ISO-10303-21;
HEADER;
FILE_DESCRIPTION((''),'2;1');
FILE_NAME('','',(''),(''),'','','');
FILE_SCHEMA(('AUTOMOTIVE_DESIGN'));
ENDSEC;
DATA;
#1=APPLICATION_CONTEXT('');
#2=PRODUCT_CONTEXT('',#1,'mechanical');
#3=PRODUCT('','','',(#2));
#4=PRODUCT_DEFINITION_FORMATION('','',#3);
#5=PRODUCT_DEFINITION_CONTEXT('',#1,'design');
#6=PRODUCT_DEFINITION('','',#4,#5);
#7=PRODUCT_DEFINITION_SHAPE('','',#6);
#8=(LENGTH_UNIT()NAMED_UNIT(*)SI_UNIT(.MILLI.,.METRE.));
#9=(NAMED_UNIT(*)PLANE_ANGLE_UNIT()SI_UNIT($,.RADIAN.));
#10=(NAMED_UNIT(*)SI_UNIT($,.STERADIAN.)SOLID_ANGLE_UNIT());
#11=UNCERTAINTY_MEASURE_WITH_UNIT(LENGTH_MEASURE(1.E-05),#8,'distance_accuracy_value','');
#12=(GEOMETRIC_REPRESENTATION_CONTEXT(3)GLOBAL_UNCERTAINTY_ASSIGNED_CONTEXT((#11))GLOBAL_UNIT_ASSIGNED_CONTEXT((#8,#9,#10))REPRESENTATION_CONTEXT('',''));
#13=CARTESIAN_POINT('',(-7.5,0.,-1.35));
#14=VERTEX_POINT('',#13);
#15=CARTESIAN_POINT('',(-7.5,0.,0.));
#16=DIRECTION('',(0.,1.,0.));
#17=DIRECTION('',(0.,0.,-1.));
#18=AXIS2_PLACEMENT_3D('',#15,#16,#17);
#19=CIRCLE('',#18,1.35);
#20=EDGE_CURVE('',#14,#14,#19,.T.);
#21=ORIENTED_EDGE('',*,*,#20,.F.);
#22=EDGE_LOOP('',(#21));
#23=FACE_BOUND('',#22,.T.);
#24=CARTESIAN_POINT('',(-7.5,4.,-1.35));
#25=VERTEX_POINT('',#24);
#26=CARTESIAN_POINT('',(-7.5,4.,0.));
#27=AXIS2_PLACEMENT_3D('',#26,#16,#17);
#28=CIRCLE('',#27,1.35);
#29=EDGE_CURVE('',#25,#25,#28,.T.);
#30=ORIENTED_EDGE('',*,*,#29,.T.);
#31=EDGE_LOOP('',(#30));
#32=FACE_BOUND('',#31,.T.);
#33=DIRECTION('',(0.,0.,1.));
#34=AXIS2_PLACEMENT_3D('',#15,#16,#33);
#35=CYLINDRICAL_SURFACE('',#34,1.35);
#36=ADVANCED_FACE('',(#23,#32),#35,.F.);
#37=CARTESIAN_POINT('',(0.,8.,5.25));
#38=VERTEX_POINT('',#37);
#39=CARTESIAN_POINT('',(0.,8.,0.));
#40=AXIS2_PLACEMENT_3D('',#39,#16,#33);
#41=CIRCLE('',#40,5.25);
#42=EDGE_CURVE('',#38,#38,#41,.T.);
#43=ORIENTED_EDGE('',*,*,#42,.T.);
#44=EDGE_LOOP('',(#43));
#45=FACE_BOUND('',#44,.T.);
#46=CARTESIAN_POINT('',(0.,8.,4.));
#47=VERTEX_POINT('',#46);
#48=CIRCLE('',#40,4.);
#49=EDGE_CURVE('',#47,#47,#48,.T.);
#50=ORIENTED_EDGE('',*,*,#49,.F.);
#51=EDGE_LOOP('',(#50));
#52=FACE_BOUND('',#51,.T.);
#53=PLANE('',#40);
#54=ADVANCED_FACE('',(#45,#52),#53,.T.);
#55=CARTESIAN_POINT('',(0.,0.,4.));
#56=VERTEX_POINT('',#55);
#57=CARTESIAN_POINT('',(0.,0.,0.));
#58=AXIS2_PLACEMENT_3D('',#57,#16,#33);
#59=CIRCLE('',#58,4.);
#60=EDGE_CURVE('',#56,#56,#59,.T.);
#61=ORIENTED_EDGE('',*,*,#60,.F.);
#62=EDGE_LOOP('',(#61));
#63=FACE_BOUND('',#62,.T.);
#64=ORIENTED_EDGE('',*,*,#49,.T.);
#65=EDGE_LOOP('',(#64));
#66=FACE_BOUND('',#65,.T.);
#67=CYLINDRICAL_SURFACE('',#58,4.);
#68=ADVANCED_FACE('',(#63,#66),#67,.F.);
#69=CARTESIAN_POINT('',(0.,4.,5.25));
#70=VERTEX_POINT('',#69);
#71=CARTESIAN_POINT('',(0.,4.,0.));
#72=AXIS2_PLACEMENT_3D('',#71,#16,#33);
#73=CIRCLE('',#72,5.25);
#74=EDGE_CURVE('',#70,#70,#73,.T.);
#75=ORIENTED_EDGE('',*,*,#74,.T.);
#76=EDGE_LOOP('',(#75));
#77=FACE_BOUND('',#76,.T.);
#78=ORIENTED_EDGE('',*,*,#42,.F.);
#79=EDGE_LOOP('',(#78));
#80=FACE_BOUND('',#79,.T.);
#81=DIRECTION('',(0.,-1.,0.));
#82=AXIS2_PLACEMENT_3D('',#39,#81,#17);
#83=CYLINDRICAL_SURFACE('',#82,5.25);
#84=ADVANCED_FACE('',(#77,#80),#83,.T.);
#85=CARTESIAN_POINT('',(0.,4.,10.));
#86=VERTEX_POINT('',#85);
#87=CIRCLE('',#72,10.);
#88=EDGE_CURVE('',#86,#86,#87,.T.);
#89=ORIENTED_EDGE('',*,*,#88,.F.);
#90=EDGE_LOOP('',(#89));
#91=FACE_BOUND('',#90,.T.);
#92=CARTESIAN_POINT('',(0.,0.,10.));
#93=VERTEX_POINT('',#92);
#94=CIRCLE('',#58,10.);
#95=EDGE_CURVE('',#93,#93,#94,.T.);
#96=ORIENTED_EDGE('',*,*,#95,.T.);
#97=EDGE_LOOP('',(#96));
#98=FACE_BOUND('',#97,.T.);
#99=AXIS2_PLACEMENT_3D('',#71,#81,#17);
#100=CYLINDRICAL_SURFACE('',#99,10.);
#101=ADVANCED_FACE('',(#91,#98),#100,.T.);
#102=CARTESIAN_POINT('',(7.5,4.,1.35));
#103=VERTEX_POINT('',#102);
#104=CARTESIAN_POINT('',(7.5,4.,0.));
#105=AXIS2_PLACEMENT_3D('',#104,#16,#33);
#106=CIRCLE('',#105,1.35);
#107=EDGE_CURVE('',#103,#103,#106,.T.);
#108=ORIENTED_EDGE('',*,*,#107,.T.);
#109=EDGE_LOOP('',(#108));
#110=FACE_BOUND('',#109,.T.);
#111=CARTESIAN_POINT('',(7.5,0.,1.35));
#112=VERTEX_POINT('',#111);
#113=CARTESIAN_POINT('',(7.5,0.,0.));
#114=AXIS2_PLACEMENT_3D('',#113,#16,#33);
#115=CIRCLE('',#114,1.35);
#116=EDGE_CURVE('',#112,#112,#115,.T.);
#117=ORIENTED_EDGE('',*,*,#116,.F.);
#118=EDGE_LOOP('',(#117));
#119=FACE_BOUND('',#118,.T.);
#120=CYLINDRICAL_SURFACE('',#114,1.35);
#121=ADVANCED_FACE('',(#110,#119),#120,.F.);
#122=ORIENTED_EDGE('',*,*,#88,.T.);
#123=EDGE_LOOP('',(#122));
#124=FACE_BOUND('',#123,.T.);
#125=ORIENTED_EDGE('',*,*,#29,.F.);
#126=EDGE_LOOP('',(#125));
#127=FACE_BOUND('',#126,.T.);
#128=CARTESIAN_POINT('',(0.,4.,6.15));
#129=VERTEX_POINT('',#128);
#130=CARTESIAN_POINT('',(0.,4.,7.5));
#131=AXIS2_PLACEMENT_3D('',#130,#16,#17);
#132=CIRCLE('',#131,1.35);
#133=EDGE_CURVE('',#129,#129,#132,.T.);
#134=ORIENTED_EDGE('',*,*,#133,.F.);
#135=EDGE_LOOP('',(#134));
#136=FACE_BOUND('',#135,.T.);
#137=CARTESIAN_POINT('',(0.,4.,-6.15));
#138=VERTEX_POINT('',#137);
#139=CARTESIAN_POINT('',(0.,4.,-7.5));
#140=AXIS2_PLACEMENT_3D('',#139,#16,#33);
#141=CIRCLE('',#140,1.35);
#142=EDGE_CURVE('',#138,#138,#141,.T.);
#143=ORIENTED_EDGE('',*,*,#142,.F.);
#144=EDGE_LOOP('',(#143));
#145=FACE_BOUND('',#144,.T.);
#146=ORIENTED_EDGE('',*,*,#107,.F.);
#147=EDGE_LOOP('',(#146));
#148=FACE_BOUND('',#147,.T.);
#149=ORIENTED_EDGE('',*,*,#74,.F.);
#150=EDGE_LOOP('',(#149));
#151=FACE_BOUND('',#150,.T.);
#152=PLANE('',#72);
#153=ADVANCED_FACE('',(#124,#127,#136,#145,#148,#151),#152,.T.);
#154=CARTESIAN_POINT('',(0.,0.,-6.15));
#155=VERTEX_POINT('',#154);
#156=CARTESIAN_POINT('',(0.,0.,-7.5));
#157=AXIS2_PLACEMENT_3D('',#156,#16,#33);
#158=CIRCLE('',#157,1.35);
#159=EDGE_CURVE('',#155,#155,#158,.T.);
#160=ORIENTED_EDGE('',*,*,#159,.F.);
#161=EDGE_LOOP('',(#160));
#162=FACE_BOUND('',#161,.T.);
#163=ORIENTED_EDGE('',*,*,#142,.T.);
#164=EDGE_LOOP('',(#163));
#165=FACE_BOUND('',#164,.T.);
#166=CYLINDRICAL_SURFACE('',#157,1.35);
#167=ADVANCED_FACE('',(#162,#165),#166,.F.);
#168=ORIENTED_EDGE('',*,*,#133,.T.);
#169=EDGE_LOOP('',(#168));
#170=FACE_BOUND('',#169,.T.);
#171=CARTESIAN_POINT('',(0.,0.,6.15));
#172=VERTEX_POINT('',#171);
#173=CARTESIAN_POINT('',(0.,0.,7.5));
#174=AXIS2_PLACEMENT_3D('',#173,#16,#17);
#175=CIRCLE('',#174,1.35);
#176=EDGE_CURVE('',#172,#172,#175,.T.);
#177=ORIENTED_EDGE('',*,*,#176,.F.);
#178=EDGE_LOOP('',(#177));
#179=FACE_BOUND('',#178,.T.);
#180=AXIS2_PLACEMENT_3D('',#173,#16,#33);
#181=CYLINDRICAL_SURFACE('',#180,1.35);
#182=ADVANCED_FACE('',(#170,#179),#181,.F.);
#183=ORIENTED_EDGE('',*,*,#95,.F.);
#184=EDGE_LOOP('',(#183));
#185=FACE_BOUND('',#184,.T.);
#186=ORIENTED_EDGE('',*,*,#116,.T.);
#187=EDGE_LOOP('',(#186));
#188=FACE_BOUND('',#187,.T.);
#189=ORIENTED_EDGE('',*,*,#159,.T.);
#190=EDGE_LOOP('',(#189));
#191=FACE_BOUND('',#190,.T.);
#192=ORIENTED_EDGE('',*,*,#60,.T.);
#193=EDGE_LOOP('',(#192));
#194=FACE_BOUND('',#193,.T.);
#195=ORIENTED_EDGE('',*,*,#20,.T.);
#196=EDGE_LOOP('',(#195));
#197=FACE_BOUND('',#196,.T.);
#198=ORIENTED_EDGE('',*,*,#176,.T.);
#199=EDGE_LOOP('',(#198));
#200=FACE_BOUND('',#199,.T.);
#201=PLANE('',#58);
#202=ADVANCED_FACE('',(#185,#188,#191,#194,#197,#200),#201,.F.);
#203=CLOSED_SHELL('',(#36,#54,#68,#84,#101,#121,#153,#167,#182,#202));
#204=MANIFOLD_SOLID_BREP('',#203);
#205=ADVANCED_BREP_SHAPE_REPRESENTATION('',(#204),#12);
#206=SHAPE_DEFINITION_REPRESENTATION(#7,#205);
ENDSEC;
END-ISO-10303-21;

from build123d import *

# Parameters (mm, degrees)
SKETCH1_R           = 10
BOSS_EXTRUDE1_DEPTH = 4
SKETCH2_R           = 5.25
BOSS_EXTRUDE2_DEPTH = 4
SKETCH3_R           = 1.35
CUT_EXTRUDE1_DEPTH  = 15.696938457
SKETCH4_R           = 4
CUT_EXTRUDE2_DEPTH  = 17.248076809


with BuildPart() as part:
    # Sketch1 → Boss-Extrude1 (new body)
    with BuildSketch(Plane(origin=(0, 0, 0), x_dir=(1, 0, 0), z_dir=(0, 1, 0))):
        with Locations(Location((0, 0, 0), (0, 0, 270))):
            Circle(SKETCH1_R)
    extrude(amount=BOSS_EXTRUDE1_DEPTH)

    # Sketch2 → Boss-Extrude2 (add)
    with BuildSketch(Plane(origin=(0, 4, 0), x_dir=(1, 0, 0), z_dir=(0, 1, 0))):
        with Locations(Location((0, 0, 0), (0, 0, 270))):
            Circle(SKETCH2_R)
    extrude(amount=BOSS_EXTRUDE2_DEPTH)

    # Sketch3 → Cut-Extrude1 (cut, through all)
    with BuildSketch(Plane(origin=(0, 4, 0), x_dir=(1, 0, 0), z_dir=(0, 1, 0))):
        with Locations(Location((0, 7.5, 0), (0, 0, 270))):
            Circle(SKETCH3_R)
        with Locations(Location((7.5, 0, 0), (0, 0, 270))):
            Circle(SKETCH3_R)
        with Locations(Location((0, -7.5, 0), (0, 0, 90))):
            Circle(SKETCH3_R)
        with Locations(Location((-7.5, 0, 0), (0, 0, 90))):
            Circle(SKETCH3_R)
    extrude(amount=-CUT_EXTRUDE1_DEPTH, mode=Mode.SUBTRACT)

    # Sketch4 → Cut-Extrude2 (cut, through all)
    with BuildSketch(Plane(origin=(0, 8, 0), x_dir=(-1, 0, 0), z_dir=(0, 1, 0))):
        with Locations(Location((0, 0, 0), (0, 0, 90))):
            Circle(SKETCH4_R)
    extrude(amount=-CUT_EXTRUDE2_DEPTH, mode=Mode.SUBTRACT)


solid = part.part
